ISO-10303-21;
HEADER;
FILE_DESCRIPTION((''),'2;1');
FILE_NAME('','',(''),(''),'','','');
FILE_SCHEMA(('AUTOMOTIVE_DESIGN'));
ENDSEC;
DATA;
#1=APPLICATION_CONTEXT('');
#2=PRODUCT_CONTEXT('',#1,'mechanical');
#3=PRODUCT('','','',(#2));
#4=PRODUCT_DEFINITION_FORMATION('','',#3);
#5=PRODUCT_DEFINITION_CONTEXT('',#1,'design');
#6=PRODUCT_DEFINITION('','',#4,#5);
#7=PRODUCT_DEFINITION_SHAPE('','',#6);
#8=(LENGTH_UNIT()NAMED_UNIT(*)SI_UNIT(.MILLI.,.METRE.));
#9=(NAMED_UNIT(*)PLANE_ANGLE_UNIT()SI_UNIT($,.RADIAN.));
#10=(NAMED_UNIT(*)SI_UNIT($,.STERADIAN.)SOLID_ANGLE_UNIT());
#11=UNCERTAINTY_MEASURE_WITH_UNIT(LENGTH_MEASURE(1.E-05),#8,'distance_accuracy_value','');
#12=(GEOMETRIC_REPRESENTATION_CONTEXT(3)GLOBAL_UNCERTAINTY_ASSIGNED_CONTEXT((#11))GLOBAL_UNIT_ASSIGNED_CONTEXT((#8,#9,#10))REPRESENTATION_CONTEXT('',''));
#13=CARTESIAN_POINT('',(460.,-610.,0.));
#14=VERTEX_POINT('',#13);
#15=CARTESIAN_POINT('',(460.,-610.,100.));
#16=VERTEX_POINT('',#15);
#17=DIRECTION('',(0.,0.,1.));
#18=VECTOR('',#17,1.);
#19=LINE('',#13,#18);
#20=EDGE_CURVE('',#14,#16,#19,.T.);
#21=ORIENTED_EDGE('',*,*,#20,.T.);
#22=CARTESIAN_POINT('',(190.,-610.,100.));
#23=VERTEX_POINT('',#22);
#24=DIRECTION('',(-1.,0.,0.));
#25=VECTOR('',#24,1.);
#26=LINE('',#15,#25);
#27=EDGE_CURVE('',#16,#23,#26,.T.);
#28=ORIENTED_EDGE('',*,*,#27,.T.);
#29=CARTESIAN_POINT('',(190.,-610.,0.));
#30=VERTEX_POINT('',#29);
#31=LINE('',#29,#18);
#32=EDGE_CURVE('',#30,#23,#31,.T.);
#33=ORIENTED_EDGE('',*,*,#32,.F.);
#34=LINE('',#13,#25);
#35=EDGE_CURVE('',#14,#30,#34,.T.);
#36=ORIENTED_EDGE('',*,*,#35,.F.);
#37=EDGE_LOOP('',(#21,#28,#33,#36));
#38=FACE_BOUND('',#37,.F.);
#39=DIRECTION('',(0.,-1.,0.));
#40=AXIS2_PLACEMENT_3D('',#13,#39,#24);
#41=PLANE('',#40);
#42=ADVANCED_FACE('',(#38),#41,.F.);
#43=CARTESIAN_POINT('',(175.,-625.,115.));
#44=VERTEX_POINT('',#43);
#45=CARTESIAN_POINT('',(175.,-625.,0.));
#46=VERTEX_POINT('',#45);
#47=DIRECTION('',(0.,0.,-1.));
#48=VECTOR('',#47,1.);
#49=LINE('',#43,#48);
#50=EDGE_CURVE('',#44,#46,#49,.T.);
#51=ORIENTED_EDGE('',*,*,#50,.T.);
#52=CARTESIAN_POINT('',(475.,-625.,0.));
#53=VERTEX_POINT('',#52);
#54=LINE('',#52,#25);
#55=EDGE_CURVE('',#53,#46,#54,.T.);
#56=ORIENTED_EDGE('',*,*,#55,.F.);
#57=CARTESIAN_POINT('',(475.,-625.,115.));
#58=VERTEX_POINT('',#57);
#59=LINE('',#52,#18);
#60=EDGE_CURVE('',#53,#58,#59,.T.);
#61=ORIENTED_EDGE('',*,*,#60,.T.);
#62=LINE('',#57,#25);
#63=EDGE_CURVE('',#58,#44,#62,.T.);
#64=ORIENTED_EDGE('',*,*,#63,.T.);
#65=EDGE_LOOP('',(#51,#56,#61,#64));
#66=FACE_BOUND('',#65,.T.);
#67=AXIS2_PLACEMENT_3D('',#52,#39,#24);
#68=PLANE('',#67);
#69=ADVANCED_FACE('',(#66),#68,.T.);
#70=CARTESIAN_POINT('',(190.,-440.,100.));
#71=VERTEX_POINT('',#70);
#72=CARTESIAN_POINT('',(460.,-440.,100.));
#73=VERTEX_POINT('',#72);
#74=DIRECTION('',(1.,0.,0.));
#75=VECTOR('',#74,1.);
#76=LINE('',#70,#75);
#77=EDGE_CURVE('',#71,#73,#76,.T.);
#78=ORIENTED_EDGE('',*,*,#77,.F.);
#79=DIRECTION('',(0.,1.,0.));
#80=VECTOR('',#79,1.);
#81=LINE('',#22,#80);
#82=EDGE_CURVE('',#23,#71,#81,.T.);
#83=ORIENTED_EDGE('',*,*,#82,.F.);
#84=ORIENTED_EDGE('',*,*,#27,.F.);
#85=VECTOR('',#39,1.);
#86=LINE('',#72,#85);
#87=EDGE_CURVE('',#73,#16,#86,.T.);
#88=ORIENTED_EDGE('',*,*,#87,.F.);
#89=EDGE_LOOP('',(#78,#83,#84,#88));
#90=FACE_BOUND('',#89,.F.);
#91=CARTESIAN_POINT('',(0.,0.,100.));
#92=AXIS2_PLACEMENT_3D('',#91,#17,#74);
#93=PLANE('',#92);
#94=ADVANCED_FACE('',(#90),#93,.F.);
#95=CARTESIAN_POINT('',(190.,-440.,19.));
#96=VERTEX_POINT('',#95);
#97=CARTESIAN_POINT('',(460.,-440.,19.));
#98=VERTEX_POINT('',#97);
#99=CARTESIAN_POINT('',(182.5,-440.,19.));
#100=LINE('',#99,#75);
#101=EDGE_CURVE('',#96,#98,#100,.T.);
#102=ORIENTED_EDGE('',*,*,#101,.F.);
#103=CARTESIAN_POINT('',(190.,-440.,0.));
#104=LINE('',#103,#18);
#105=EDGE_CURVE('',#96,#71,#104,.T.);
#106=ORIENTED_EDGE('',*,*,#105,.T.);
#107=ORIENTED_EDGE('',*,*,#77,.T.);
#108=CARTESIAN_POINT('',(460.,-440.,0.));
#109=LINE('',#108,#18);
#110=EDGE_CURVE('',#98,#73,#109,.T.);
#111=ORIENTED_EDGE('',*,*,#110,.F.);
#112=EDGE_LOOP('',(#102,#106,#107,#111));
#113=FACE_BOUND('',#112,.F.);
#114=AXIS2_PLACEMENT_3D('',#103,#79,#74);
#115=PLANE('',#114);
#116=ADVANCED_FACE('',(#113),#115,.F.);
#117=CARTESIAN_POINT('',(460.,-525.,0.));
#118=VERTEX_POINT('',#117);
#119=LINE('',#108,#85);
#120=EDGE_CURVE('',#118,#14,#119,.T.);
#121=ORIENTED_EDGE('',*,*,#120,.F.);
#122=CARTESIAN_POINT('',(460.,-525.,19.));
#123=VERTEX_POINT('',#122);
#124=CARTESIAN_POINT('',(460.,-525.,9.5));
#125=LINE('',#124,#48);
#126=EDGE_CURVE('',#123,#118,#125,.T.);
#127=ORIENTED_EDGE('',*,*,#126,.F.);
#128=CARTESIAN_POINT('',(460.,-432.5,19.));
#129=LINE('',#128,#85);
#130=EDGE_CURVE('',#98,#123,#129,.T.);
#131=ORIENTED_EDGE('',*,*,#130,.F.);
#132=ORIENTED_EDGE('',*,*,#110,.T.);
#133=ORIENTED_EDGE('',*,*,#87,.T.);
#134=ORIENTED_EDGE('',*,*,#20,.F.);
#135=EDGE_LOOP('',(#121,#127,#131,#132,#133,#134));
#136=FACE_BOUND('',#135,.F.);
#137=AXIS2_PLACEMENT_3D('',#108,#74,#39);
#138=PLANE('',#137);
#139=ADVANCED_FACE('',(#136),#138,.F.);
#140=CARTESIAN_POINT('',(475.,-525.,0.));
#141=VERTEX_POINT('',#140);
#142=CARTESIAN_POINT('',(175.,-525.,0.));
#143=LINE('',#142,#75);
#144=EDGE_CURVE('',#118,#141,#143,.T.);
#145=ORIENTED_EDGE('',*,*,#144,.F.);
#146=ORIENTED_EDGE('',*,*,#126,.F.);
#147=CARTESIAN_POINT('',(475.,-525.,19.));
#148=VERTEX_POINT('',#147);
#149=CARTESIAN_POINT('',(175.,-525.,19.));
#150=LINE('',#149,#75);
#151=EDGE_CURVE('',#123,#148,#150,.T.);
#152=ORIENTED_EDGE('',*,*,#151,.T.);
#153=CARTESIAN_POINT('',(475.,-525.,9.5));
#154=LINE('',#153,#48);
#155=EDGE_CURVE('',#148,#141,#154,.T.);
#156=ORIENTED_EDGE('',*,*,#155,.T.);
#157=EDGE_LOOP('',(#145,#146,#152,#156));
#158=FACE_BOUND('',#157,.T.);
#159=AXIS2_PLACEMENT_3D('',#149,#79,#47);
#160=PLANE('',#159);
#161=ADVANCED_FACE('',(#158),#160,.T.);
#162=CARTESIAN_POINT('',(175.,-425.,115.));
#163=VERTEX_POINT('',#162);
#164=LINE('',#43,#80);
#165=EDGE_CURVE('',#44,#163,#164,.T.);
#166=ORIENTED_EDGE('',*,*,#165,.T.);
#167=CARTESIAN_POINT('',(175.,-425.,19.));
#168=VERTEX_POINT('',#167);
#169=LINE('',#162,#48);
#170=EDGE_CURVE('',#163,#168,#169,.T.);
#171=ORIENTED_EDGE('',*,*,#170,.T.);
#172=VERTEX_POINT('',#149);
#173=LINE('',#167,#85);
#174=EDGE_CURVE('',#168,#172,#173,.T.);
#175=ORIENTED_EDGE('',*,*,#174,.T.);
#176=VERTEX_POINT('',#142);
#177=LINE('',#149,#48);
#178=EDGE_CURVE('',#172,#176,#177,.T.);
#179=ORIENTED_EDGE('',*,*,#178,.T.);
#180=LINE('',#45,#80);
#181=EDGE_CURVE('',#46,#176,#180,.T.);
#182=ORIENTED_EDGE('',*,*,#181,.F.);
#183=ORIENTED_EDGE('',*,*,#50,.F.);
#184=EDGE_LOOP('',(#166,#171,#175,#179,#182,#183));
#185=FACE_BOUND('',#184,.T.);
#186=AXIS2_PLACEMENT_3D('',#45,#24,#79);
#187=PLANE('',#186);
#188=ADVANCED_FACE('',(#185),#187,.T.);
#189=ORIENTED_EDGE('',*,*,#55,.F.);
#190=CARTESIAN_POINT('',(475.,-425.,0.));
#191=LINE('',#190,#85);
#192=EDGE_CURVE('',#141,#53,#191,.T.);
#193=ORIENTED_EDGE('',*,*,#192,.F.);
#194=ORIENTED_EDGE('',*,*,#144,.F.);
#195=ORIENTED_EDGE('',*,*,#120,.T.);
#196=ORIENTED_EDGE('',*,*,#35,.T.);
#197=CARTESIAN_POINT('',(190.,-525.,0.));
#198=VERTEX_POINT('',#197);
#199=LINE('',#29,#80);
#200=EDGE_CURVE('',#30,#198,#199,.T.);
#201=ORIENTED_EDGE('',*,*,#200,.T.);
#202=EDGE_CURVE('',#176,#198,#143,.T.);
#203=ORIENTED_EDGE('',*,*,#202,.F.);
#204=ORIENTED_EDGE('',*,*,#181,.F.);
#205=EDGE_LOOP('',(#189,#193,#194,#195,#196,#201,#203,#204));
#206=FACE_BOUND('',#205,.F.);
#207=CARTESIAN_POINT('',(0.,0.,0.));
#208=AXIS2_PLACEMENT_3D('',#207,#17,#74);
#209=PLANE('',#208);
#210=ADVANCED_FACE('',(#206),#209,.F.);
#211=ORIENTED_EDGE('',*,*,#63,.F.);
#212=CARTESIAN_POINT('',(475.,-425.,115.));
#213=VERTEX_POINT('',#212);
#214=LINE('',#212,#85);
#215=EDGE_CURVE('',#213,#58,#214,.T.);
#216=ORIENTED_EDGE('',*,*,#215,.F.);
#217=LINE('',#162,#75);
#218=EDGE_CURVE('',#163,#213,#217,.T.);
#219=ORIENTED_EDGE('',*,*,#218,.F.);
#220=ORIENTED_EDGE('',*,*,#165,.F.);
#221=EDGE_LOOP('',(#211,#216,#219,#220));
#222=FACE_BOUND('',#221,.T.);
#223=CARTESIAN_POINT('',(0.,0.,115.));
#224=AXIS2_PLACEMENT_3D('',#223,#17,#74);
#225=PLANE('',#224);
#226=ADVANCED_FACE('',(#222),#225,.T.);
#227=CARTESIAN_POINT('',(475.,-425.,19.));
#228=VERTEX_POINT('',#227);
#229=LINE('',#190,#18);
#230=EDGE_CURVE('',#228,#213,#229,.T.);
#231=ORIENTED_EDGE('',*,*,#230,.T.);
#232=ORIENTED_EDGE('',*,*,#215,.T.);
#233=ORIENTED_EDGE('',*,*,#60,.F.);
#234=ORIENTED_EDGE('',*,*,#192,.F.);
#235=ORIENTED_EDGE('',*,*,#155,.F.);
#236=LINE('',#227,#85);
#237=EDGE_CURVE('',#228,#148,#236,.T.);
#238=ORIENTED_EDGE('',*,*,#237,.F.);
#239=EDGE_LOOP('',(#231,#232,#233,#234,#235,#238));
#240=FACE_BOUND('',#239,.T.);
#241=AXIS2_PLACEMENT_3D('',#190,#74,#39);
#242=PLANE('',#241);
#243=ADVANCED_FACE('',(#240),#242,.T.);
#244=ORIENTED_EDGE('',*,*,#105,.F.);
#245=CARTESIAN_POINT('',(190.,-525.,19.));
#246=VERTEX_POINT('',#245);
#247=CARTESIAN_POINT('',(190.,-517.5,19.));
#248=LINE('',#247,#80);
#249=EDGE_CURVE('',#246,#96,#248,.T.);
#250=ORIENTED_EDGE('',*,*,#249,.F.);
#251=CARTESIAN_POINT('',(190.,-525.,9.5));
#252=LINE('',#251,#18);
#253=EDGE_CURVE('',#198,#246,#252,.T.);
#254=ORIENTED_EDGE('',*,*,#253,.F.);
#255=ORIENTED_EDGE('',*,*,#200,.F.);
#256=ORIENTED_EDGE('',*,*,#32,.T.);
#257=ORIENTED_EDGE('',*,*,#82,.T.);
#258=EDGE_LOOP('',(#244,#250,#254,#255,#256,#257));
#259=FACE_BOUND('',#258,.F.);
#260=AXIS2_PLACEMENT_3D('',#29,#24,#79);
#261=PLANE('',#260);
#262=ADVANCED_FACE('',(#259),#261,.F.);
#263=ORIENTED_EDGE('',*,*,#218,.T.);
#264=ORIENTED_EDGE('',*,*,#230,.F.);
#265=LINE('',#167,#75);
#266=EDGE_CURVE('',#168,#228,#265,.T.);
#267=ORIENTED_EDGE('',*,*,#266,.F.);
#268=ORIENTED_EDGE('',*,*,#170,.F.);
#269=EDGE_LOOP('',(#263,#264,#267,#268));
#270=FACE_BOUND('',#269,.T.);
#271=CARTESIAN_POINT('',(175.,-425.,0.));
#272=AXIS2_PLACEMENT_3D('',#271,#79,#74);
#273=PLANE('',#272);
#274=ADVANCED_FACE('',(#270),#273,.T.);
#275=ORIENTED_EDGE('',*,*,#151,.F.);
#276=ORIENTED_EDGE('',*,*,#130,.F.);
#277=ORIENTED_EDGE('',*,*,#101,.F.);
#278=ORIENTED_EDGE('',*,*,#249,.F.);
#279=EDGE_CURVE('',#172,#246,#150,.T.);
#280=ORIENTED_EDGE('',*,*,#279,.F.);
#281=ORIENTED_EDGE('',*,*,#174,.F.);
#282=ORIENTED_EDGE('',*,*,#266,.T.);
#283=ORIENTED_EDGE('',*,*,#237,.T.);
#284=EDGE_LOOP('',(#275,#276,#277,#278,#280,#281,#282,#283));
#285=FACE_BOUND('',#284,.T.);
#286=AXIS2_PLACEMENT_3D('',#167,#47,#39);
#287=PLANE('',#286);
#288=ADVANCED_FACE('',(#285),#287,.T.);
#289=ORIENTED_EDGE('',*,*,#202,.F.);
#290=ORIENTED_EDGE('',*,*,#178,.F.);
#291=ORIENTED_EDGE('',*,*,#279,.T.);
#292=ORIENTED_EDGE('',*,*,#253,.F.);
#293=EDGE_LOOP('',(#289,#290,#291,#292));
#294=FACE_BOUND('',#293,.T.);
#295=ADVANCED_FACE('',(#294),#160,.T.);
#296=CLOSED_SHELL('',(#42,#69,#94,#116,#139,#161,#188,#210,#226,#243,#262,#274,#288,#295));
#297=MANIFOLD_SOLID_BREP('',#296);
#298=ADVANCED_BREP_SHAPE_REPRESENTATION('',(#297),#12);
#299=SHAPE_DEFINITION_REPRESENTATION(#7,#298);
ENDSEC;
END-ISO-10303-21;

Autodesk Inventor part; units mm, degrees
ref_plane "YZ Plane" through (0, 0, 0) normal (1, 0, 0) x (0, 1, 0)
ref_plane "XZ Plane" through (0, 0, 0) normal (0, 1, 0) x (-1, 0, 0)
ref_plane "XY Plane" through (0, 0, 0) normal (0, 0, 1) x (1, 0, 0)
ref_plane "Work Plane1" through (0, 0, 0) normal (0, 0, 1) x (1, 0, 0)
sketch "Sketch1" plane through (0, 0, 0) normal (0, 0, 1) x (1, 0, 0)
  line L0 (475, -625) -> (475, -525) construction
  line L1 (427.5, -425) -> (532.5, -425) construction
  line L2 (175, -525) -> (175, -625) construction
  line L3 (475, -625) -> (175, -625)
  line L4 (175, -625) -> (175, -425)
  line L5 (175, -425) -> (475, -425)
  line L6 (475, -425) -> (475, -625)
  line L7 (460, -610) -> (190, -610)
  line L8 (190, -610) -> (190, -440)
  line L9 (190, -440) -> (460, -440)
  line L10 (460, -440) -> (460, -610)
  line L11 (325, -625) -> (325, -610) construction
  line L12 (475, -525) -> (460, -525) construction
  line L13 (190, -525) -> (175, -525) construction
  line L14 (325, -440) -> (325, -425) construction
  point P0 (0, 0)
  dimension "d0" = 15
extrude "Extrusion1" add sketch "Sketch1" along normal blind 100
sketch "Sketch2" plane through (0, 0, 100) normal (0, 0, 1) x (1, 0, 0)
  line L0 (175, -425) -> (475, -425)
  line L1 (475, -425) -> (475, -625)
  line L2 (475, -625) -> (175, -625)
  line L3 (175, -625) -> (175, -425)
  point P0 (0, 0)
extrude "Extrusion2" add sketch "Sketch2" along normal blind 15
sketch "Sketch3" plane through (175, -625, 0) normal (-1, 0, 0) x (0, 0, 1)
  line L0 (19, 1250) -> (19, 100) construction
  line L1 (0, 100) -> (-19, 100) construction
  line L2 (0, 200) -> (19, 200)
  line L3 (19, 200) -> (19, 100)
  line L4 (19, 100) -> (0, 100)
  line L5 (0, 100) -> (0, 200)
  point P0 (0, 625)
extrude "Extrusion3" cut sketch "Sketch3" against normal up to next
properties part number "Control_Box" material "MDF Medium Density Fiberboard"
